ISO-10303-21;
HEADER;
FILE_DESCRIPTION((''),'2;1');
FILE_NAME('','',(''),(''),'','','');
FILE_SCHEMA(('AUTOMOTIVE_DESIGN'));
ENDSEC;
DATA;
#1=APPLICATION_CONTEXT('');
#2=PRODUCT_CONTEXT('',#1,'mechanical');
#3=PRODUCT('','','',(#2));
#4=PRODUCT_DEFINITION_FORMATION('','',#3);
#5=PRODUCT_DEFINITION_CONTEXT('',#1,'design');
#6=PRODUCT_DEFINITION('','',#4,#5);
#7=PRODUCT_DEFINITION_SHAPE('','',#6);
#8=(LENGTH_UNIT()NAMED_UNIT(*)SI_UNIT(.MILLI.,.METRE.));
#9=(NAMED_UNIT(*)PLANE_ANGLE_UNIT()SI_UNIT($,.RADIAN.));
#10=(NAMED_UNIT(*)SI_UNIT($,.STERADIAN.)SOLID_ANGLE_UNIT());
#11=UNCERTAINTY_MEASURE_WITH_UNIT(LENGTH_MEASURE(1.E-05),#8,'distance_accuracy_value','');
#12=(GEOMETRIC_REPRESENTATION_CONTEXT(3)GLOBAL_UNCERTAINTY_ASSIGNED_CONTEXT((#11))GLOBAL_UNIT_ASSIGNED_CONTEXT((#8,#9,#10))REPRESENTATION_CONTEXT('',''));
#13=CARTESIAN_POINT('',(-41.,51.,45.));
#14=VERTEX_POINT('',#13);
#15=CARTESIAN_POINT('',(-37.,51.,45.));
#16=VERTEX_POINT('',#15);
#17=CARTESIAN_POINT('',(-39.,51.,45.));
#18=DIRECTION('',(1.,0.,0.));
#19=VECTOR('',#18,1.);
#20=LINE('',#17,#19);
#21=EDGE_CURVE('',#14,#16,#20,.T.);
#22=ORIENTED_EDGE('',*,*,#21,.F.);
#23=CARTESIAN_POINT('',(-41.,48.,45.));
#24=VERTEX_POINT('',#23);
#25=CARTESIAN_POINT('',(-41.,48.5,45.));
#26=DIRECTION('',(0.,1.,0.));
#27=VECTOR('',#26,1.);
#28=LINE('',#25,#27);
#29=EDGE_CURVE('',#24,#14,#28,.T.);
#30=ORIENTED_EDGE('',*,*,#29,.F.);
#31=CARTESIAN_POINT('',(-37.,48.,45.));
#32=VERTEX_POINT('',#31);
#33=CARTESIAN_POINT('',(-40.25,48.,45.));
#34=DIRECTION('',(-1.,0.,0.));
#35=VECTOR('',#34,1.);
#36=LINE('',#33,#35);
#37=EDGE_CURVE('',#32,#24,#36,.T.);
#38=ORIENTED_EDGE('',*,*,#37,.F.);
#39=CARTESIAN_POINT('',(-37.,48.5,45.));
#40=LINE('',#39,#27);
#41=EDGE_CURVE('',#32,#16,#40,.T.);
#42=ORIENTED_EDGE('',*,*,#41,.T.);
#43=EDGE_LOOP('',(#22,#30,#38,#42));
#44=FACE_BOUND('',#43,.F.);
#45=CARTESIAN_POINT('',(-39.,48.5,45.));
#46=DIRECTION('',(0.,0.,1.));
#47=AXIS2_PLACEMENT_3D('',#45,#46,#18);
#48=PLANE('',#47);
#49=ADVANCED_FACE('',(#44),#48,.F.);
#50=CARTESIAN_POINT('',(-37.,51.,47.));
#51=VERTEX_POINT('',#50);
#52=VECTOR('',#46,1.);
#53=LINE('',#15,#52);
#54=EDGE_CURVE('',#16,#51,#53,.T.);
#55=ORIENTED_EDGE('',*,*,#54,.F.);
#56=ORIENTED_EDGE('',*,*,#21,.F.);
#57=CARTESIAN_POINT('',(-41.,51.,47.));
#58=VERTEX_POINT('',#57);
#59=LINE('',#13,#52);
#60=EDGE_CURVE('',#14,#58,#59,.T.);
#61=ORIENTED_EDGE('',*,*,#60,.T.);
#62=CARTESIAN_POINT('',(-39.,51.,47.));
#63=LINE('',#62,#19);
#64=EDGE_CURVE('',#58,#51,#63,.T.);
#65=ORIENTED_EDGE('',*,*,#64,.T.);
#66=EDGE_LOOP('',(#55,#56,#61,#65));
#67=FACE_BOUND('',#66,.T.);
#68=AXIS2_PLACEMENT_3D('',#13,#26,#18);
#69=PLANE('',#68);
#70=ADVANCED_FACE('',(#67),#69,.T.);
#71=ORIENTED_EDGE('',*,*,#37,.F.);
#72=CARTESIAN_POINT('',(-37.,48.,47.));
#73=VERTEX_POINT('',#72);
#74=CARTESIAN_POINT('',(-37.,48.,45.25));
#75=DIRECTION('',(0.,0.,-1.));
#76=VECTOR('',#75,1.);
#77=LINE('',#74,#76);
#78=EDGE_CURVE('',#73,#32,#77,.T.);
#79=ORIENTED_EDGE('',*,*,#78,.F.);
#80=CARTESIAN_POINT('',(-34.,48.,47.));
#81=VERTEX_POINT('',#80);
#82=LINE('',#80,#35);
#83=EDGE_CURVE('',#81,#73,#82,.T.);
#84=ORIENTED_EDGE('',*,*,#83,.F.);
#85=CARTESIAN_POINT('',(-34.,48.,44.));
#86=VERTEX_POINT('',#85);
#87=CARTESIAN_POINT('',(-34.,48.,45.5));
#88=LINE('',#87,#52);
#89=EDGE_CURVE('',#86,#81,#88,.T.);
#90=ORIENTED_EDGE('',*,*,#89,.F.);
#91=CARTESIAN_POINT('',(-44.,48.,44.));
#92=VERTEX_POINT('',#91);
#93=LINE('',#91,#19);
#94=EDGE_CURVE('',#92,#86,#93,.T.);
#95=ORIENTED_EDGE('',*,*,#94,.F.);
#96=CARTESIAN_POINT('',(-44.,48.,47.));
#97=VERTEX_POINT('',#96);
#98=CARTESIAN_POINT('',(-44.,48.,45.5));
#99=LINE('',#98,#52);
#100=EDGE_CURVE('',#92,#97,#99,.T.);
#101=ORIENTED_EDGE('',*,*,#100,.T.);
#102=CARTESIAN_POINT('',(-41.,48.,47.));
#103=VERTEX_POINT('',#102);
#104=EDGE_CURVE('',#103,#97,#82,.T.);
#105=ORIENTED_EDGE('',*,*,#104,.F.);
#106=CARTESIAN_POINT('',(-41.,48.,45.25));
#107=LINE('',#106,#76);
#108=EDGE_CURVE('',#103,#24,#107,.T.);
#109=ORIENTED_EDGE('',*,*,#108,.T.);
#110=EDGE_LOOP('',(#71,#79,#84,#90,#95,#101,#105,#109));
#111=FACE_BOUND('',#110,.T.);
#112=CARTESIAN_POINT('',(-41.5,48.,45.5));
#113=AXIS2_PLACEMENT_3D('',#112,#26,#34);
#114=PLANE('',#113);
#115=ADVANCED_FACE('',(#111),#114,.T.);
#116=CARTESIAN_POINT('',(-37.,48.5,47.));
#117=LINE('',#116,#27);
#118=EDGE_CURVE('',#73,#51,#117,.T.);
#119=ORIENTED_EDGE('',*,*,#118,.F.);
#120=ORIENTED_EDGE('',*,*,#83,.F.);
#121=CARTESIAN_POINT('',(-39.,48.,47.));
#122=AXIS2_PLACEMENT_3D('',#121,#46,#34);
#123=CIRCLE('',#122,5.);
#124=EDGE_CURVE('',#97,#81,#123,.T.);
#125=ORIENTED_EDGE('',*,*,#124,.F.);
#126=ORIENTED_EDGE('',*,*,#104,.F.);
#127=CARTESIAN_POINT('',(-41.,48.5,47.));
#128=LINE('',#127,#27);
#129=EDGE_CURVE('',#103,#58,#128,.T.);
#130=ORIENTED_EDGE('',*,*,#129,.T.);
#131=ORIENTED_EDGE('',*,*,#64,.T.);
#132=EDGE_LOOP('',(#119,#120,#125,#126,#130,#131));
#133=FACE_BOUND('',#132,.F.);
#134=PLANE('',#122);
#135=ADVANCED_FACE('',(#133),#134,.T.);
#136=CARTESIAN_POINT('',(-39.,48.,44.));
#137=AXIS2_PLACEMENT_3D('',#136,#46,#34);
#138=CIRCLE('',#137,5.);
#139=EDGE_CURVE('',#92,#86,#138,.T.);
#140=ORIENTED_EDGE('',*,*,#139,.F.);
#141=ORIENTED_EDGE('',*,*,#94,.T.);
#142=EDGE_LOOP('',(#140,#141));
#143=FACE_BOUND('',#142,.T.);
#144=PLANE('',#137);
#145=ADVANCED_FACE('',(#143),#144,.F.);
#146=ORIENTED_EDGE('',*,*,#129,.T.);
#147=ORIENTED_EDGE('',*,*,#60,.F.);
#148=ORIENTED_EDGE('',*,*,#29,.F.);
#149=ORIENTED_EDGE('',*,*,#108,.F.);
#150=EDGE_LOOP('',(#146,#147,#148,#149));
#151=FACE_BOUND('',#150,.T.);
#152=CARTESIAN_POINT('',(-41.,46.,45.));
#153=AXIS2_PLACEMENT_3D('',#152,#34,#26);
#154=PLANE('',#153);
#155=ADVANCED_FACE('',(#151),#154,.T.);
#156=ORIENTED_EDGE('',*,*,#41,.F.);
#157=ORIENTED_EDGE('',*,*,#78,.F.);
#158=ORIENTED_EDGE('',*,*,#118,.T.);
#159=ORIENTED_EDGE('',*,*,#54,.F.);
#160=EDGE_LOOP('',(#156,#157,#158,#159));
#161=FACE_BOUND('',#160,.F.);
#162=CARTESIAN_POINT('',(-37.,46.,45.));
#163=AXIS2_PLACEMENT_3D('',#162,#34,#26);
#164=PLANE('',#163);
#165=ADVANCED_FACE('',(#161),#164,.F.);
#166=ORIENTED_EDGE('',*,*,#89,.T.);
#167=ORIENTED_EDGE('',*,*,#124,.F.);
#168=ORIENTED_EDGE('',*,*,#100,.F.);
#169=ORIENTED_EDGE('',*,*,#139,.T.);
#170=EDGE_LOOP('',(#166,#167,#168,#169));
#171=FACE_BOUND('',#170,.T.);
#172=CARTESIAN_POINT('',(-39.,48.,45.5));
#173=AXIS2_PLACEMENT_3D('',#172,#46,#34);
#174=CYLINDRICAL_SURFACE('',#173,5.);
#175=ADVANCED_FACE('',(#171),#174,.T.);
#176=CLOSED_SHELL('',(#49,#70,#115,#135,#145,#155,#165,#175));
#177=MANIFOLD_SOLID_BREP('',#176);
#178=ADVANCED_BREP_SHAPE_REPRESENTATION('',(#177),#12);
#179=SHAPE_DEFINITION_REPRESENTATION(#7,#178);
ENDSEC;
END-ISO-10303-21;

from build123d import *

# Parameters (mm, degrees)
CYLINDER047_W     = 5
CYLINDER047_H     = 3
CYLINDER047_ANGLE = 180
BOX043_W          = 4
BOX043_H          = 5
BOX043_DEPTH      = 2


with BuildPart() as cilindro047:
    # Cylinder047 → Cylinder047 (revolve)
    with BuildSketch(Plane(origin=(-39, 48, 44), x_dir=(-1, 0, 0), z_dir=(0, 1, 0))):
        with Locations((2.5, 1.5)):
            Rectangle(CYLINDER047_W, CYLINDER047_H)
    revolve(axis=Axis((-39, 48, 44), (0, 0, 1)), revolution_arc=CYLINDER047_ANGLE)


with BuildPart() as fusion002024:
    # Box043 → Box043 (new body)
    with BuildSketch(Plane(origin=(-41, 46, 45), x_dir=(1, 0, 0), z_dir=(0, 0, 1))):
        with Locations((2, 2.5)):
            Rectangle(BOX043_W, BOX043_H)
    extrude(amount=BOX043_DEPTH)

    # Fusion002024: union Cilindro047
    add(cilindro047.part)


solid = fusion002024.part
